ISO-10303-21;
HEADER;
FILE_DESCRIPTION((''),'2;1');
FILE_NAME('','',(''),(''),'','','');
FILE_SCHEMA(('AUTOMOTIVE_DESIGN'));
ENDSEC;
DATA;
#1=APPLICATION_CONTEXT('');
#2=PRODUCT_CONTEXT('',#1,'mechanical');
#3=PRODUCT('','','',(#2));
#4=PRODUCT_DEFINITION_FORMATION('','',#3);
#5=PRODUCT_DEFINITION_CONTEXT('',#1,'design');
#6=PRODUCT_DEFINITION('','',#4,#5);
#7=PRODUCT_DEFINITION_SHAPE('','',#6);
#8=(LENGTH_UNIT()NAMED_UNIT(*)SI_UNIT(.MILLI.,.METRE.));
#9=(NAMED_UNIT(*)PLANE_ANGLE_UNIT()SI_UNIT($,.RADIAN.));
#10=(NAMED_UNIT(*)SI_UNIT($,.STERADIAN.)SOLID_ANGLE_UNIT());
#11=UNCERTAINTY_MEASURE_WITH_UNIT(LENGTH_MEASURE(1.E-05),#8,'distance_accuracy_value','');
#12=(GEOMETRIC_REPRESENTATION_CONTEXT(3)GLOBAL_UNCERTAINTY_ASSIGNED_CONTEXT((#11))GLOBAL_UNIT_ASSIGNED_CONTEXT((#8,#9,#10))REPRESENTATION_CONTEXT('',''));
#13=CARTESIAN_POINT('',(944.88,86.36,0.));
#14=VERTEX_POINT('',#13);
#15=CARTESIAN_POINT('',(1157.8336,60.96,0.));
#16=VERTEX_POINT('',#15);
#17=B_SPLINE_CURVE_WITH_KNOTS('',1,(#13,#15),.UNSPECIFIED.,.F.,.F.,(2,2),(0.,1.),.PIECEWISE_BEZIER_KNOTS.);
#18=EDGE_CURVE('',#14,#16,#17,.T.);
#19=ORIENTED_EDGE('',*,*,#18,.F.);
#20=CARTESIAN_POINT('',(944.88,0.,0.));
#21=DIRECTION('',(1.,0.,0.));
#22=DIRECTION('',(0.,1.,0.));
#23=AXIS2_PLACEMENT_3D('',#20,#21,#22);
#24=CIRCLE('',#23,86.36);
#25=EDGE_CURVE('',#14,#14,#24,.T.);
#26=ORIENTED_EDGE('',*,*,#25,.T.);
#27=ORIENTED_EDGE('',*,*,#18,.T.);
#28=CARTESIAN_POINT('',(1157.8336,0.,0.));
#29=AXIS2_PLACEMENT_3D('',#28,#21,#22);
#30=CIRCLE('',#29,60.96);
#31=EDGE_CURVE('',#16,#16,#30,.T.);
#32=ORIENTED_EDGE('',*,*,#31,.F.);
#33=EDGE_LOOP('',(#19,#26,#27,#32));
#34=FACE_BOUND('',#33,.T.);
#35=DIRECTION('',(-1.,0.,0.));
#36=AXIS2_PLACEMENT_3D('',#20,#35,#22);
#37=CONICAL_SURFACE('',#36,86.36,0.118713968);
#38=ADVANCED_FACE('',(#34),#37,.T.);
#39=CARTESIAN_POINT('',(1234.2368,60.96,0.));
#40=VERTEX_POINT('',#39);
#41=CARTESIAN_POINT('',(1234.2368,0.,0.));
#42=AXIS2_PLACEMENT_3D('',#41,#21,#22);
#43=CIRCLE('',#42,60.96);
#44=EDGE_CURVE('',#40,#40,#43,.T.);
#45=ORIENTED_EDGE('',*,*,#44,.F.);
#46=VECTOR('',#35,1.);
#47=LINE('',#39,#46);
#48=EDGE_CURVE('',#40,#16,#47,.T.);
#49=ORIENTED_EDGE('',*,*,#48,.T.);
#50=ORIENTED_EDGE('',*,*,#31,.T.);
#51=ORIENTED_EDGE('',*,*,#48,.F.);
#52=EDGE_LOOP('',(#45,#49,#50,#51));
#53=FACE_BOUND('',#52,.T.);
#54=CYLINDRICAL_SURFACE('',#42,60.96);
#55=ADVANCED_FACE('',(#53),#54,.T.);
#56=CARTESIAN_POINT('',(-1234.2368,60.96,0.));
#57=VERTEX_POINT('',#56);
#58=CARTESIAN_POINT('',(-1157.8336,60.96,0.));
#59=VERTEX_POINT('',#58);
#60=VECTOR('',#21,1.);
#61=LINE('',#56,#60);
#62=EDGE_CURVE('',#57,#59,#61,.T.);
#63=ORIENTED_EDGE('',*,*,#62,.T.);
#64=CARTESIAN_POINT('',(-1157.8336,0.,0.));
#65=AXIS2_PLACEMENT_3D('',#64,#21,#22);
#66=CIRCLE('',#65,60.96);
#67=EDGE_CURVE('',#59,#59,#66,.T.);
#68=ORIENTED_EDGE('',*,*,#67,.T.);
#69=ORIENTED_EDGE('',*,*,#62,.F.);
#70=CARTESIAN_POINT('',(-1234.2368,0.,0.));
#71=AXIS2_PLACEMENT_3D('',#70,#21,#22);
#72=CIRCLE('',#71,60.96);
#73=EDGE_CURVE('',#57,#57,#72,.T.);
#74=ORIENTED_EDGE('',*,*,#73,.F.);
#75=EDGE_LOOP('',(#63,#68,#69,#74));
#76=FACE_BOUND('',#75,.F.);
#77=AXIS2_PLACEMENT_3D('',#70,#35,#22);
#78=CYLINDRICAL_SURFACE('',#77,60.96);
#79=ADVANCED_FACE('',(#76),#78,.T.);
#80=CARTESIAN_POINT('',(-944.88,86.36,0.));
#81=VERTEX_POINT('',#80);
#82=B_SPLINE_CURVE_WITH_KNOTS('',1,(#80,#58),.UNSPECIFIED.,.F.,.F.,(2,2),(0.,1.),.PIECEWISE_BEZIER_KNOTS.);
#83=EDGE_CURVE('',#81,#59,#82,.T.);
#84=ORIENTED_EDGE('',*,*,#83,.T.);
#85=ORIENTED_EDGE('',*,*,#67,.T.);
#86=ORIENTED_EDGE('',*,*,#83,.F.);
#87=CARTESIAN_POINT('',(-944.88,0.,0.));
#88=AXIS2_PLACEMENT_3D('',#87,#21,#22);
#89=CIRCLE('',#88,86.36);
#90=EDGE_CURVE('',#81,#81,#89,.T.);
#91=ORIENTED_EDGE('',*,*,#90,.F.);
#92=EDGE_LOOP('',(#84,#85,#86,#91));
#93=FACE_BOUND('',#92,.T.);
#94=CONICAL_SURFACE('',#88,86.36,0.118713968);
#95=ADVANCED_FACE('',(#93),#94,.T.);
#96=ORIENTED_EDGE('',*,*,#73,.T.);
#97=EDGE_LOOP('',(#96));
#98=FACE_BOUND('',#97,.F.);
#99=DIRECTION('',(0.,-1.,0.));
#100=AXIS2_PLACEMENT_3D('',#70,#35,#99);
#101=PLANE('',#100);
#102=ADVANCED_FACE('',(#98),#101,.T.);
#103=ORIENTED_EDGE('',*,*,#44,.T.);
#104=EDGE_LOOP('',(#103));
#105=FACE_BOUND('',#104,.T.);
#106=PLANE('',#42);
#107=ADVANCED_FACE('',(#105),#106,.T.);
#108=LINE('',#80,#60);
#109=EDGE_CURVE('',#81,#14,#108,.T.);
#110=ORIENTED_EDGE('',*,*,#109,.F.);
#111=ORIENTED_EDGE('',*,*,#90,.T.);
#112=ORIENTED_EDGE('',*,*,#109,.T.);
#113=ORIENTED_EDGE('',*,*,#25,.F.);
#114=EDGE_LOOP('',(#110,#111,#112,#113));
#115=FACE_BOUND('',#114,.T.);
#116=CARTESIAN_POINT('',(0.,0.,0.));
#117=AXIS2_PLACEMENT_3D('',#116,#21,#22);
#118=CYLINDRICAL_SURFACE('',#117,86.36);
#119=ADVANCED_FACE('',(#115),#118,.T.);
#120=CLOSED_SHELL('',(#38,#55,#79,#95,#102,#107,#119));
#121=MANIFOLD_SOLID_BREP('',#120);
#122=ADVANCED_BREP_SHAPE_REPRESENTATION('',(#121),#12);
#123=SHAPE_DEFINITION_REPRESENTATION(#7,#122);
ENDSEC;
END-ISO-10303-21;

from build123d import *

# Parameters (mm, degrees)
F0_R       = 53.975
F1_DEPTH   = 590.55
F3_R       = 38.1
F4_DEPTH   = 47.752
F1_FACE_R  = 53.975
F4_FACE_R  = 38.1
F1_FACE1_R = 53.975
F5_FACE_R  = 38.1
F8_SCALE   = 1.6


with BuildPart() as f1:
    # F0 (on Right) → F1 (new body, symmetric)
    with BuildSketch(Plane.YZ):
        Circle(F0_R)
    extrude(amount=F1_DEPTH, both=True)



with BuildPart() as f4:
    # F3 (on offset) → F4 (new body)
    with BuildSketch(Plane.YZ.offset(771.398)):
        Circle(F3_R)
    extrude(amount=-F4_DEPTH)


with BuildPart() as f5_1:
    # F5: instance of F4
    add(f4.part.mirror(Plane.YZ))


with BuildPart() as f1_1:
    add(f1.part)

    add(f4.part)  # F6 merges F4
    # F1_face (on face) → F6 section 0
    with BuildSketch(Plane.YZ.offset(590.55)):
        Circle(F1_FACE_R)
    # F4_face (on face) → F6 section 1
    with BuildSketch(Plane(origin=(723.646, 0, 0), x_dir=(0, 1, 0), z_dir=(-1, 0, 0))):
        Circle(F4_FACE_R)
    loft()


    add(f5_1.part)  # F7 merges F5_1
    # F1_face1 (on face) → F7 section 0
    with BuildSketch(Plane(origin=(-590.55, 0, 0), x_dir=(0, 1, 0), z_dir=(-1, 0, 0))):
        Circle(F1_FACE1_R)
    # F5_face (on face) → F7 section 1
    with BuildSketch(Plane.YZ.offset(-723.646)):
        Circle(F5_FACE_R)
    loft()


with BuildPart() as f1_2:
    # F8: moved
    add(f1_1.part.scale(F8_SCALE))


solid = f1_2.part
